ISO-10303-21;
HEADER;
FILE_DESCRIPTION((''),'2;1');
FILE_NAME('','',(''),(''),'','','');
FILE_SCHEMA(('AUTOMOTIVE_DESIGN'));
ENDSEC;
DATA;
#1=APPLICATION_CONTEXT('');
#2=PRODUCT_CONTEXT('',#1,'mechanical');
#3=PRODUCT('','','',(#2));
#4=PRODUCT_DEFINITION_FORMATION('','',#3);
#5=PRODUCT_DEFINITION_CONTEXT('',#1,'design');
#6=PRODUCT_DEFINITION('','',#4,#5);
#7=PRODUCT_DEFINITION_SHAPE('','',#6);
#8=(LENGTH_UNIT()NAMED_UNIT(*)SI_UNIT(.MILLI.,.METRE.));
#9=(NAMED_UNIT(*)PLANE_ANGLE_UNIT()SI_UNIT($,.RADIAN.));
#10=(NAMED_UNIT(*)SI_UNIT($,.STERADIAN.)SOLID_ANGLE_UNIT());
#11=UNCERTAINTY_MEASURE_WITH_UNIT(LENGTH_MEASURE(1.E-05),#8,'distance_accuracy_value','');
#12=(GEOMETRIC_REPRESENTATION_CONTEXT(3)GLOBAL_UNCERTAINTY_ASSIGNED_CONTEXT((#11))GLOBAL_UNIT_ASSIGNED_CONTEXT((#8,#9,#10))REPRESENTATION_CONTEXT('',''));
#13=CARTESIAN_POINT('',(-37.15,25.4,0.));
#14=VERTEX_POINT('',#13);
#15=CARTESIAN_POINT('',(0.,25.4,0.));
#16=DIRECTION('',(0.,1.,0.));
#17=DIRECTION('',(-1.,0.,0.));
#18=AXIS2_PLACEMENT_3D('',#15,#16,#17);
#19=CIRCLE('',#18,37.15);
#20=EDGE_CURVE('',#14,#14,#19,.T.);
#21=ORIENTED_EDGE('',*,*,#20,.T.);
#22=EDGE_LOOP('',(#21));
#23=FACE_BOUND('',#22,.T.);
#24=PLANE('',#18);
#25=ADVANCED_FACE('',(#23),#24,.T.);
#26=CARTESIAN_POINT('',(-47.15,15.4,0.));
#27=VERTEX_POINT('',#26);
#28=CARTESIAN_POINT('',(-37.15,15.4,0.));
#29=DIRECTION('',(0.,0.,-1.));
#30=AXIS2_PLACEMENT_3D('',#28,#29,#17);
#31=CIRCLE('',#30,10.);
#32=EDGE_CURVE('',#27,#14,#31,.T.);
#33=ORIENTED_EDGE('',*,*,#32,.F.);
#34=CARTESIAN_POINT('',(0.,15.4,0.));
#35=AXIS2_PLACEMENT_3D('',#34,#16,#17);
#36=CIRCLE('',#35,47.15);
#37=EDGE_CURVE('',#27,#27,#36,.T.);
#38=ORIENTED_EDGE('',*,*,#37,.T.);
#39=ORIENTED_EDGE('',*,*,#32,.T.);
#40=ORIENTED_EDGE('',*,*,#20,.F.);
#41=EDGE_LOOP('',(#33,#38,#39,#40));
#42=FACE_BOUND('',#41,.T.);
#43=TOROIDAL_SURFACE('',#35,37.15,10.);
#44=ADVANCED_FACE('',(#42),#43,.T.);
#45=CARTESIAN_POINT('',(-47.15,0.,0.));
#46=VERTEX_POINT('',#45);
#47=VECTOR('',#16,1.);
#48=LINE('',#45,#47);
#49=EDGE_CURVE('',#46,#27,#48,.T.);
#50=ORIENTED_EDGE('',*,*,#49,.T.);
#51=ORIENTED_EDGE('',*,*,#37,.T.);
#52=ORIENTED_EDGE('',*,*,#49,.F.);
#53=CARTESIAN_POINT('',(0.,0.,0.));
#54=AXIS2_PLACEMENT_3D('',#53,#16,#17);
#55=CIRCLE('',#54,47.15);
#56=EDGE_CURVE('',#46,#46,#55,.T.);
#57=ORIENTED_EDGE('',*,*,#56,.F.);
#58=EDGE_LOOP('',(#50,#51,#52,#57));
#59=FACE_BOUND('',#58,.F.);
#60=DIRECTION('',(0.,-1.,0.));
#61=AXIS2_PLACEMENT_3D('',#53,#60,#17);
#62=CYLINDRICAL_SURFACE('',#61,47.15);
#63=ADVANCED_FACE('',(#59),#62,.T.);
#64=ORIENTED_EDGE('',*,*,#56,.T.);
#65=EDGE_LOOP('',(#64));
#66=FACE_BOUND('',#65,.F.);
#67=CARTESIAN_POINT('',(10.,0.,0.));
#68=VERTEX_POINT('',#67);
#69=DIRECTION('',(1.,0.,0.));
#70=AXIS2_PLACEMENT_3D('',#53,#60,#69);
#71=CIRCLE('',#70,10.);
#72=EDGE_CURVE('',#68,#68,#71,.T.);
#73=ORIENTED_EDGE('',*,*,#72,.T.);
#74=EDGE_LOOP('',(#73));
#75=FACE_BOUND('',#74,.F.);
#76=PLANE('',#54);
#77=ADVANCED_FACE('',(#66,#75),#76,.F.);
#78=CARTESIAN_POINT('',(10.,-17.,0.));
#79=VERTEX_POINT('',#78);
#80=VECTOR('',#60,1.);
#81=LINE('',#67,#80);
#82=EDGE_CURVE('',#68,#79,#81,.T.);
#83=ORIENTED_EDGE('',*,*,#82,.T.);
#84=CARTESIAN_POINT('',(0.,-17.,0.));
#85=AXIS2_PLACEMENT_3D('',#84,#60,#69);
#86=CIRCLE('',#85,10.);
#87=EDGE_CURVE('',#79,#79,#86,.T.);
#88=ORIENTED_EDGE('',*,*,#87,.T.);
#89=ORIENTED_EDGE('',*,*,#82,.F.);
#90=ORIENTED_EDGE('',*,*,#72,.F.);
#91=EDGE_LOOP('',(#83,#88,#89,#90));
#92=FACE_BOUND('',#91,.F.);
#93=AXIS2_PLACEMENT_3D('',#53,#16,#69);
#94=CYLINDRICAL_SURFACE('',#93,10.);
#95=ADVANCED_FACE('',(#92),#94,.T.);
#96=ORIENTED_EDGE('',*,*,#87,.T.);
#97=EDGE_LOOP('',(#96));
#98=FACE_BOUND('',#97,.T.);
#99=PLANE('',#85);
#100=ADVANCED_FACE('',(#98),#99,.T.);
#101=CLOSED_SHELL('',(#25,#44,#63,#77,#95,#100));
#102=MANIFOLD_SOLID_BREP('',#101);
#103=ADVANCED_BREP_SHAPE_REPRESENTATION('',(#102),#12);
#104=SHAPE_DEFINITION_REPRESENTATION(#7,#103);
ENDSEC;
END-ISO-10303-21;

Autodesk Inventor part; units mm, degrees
ref_plane "YZ Plane" through (0, 0, 0) normal (1, 0, 0) x (0, 1, 0)
ref_plane "XZ Plane" through (0, 0, 0) normal (0, 1, 0) x (-1, 0, 0)
ref_plane "XY Plane" through (0, 0, 0) normal (0, 0, 1) x (1, 0, 0)
sketch "Sketch1" plane through (0, 0, 0) normal (0, 1, 0) x (-1, 0, 0)
  circle A0 centre (0, 0) radius 47.15
  dimension "d0" = 94.3
extrude "Extrusion1" add sketch "Sketch1" along normal blind 25.4
fillet "Fillet1" radius 10 1 edges at (47.15, 25.4, 0)
sketch "Sketch2" plane through (0, 0, 0) normal (0, -1, 0) x (1, 0, 0)
  circle A0 centre (0, 0) radius 10
  dimension "d4" = 20
extrude "Extrusion2" add sketch "Sketch2" along normal blind 17
thread "Thread1" size "M20x1.5" class "6g" standard "ANSI Metric M Profile" full length
properties part number "A.80.A.101111"
